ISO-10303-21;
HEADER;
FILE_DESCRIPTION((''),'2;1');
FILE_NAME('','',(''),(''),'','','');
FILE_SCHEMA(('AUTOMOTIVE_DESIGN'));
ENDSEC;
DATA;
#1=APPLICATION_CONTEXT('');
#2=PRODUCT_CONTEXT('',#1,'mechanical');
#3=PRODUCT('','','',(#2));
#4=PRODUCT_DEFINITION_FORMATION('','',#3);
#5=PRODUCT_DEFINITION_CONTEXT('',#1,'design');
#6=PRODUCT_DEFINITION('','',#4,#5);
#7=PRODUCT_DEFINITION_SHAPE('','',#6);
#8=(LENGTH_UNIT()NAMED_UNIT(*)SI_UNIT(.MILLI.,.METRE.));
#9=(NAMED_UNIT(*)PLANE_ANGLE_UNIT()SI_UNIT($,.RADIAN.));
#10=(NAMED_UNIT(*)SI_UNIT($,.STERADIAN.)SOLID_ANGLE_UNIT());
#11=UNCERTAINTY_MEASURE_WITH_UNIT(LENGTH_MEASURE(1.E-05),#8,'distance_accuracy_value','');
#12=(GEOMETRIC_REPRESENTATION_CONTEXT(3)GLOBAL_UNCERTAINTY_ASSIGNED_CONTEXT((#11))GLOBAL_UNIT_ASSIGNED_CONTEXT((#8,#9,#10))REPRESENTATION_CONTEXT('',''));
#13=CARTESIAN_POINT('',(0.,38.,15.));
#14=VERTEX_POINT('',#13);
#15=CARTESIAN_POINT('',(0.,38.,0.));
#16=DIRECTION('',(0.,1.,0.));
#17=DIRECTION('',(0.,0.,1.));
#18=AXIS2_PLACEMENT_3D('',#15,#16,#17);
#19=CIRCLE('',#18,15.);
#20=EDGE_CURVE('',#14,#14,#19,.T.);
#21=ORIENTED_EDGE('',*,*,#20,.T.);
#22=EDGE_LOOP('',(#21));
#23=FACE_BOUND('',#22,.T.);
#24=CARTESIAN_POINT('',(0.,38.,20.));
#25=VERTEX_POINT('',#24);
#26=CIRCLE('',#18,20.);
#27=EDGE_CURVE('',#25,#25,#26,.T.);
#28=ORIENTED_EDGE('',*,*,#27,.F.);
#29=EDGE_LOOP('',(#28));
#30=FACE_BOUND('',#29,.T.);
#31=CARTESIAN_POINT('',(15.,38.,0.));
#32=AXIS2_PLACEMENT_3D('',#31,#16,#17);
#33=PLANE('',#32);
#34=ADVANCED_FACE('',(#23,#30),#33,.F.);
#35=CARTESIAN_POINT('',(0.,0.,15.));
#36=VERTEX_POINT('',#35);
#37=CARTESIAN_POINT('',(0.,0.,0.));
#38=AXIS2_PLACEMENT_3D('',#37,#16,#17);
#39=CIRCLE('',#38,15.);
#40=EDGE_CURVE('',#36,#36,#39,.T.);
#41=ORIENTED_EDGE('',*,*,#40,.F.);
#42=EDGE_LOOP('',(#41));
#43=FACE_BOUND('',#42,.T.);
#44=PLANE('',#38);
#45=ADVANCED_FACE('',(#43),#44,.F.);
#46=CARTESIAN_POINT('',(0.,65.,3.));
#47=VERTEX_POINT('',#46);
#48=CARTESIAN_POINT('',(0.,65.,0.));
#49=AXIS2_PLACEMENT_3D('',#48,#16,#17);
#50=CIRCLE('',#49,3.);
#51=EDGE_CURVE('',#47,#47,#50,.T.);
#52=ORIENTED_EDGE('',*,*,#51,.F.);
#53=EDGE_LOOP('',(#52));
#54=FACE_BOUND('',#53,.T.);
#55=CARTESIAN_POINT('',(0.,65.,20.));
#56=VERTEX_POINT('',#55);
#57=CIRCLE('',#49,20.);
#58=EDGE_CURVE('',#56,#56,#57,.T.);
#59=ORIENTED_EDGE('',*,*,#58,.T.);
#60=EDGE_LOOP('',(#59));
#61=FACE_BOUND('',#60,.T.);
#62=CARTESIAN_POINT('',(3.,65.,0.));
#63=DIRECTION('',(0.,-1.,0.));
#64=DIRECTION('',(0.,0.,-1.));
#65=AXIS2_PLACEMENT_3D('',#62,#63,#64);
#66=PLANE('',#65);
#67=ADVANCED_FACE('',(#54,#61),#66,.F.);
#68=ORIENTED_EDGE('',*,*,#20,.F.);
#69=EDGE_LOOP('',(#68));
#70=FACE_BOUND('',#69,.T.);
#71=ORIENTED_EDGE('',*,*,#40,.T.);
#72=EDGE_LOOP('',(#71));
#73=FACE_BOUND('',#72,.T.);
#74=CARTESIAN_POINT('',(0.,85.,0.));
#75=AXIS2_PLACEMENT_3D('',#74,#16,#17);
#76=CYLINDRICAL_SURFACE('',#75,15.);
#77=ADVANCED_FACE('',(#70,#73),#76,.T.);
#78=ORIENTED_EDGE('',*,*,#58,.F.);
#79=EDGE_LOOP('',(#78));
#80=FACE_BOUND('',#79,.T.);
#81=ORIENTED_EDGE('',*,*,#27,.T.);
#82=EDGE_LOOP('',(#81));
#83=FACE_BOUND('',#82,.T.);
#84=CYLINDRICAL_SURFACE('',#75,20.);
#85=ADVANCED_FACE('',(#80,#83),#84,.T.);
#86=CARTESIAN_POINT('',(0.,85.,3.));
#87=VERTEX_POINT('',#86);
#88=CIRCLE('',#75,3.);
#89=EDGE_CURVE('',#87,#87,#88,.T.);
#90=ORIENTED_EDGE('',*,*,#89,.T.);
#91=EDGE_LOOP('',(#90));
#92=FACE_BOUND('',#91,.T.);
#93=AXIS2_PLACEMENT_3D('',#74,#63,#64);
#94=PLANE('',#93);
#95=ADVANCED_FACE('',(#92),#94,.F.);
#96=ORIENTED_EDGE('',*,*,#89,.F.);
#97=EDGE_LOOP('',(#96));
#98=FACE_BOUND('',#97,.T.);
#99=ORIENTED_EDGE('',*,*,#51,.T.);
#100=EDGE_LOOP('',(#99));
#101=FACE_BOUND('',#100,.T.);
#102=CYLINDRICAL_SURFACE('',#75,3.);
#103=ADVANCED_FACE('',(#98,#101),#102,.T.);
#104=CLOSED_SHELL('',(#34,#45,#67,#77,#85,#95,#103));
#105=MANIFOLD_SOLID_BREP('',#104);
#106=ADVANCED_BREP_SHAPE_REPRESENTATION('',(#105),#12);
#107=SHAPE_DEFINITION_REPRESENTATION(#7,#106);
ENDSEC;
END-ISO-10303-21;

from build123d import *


with BuildPart() as part:
    # Sketch1 → Revolve1 (revolve)
    with BuildSketch(Plane.XY, mode=Mode.PRIVATE) as revolve1_sk:
        Polygon((0, 85), (0, 0), (15, 0), (15, 38), (20, 38), (20, 65), (3, 65), (3, 85), align=None)
    revolve(revolve1_sk.sketch.rotate(Axis((0, 85, 0), (0, -1, 0)), 90), axis=Axis((0, 85, 0), (0, -1, 0)))


solid = part.part
